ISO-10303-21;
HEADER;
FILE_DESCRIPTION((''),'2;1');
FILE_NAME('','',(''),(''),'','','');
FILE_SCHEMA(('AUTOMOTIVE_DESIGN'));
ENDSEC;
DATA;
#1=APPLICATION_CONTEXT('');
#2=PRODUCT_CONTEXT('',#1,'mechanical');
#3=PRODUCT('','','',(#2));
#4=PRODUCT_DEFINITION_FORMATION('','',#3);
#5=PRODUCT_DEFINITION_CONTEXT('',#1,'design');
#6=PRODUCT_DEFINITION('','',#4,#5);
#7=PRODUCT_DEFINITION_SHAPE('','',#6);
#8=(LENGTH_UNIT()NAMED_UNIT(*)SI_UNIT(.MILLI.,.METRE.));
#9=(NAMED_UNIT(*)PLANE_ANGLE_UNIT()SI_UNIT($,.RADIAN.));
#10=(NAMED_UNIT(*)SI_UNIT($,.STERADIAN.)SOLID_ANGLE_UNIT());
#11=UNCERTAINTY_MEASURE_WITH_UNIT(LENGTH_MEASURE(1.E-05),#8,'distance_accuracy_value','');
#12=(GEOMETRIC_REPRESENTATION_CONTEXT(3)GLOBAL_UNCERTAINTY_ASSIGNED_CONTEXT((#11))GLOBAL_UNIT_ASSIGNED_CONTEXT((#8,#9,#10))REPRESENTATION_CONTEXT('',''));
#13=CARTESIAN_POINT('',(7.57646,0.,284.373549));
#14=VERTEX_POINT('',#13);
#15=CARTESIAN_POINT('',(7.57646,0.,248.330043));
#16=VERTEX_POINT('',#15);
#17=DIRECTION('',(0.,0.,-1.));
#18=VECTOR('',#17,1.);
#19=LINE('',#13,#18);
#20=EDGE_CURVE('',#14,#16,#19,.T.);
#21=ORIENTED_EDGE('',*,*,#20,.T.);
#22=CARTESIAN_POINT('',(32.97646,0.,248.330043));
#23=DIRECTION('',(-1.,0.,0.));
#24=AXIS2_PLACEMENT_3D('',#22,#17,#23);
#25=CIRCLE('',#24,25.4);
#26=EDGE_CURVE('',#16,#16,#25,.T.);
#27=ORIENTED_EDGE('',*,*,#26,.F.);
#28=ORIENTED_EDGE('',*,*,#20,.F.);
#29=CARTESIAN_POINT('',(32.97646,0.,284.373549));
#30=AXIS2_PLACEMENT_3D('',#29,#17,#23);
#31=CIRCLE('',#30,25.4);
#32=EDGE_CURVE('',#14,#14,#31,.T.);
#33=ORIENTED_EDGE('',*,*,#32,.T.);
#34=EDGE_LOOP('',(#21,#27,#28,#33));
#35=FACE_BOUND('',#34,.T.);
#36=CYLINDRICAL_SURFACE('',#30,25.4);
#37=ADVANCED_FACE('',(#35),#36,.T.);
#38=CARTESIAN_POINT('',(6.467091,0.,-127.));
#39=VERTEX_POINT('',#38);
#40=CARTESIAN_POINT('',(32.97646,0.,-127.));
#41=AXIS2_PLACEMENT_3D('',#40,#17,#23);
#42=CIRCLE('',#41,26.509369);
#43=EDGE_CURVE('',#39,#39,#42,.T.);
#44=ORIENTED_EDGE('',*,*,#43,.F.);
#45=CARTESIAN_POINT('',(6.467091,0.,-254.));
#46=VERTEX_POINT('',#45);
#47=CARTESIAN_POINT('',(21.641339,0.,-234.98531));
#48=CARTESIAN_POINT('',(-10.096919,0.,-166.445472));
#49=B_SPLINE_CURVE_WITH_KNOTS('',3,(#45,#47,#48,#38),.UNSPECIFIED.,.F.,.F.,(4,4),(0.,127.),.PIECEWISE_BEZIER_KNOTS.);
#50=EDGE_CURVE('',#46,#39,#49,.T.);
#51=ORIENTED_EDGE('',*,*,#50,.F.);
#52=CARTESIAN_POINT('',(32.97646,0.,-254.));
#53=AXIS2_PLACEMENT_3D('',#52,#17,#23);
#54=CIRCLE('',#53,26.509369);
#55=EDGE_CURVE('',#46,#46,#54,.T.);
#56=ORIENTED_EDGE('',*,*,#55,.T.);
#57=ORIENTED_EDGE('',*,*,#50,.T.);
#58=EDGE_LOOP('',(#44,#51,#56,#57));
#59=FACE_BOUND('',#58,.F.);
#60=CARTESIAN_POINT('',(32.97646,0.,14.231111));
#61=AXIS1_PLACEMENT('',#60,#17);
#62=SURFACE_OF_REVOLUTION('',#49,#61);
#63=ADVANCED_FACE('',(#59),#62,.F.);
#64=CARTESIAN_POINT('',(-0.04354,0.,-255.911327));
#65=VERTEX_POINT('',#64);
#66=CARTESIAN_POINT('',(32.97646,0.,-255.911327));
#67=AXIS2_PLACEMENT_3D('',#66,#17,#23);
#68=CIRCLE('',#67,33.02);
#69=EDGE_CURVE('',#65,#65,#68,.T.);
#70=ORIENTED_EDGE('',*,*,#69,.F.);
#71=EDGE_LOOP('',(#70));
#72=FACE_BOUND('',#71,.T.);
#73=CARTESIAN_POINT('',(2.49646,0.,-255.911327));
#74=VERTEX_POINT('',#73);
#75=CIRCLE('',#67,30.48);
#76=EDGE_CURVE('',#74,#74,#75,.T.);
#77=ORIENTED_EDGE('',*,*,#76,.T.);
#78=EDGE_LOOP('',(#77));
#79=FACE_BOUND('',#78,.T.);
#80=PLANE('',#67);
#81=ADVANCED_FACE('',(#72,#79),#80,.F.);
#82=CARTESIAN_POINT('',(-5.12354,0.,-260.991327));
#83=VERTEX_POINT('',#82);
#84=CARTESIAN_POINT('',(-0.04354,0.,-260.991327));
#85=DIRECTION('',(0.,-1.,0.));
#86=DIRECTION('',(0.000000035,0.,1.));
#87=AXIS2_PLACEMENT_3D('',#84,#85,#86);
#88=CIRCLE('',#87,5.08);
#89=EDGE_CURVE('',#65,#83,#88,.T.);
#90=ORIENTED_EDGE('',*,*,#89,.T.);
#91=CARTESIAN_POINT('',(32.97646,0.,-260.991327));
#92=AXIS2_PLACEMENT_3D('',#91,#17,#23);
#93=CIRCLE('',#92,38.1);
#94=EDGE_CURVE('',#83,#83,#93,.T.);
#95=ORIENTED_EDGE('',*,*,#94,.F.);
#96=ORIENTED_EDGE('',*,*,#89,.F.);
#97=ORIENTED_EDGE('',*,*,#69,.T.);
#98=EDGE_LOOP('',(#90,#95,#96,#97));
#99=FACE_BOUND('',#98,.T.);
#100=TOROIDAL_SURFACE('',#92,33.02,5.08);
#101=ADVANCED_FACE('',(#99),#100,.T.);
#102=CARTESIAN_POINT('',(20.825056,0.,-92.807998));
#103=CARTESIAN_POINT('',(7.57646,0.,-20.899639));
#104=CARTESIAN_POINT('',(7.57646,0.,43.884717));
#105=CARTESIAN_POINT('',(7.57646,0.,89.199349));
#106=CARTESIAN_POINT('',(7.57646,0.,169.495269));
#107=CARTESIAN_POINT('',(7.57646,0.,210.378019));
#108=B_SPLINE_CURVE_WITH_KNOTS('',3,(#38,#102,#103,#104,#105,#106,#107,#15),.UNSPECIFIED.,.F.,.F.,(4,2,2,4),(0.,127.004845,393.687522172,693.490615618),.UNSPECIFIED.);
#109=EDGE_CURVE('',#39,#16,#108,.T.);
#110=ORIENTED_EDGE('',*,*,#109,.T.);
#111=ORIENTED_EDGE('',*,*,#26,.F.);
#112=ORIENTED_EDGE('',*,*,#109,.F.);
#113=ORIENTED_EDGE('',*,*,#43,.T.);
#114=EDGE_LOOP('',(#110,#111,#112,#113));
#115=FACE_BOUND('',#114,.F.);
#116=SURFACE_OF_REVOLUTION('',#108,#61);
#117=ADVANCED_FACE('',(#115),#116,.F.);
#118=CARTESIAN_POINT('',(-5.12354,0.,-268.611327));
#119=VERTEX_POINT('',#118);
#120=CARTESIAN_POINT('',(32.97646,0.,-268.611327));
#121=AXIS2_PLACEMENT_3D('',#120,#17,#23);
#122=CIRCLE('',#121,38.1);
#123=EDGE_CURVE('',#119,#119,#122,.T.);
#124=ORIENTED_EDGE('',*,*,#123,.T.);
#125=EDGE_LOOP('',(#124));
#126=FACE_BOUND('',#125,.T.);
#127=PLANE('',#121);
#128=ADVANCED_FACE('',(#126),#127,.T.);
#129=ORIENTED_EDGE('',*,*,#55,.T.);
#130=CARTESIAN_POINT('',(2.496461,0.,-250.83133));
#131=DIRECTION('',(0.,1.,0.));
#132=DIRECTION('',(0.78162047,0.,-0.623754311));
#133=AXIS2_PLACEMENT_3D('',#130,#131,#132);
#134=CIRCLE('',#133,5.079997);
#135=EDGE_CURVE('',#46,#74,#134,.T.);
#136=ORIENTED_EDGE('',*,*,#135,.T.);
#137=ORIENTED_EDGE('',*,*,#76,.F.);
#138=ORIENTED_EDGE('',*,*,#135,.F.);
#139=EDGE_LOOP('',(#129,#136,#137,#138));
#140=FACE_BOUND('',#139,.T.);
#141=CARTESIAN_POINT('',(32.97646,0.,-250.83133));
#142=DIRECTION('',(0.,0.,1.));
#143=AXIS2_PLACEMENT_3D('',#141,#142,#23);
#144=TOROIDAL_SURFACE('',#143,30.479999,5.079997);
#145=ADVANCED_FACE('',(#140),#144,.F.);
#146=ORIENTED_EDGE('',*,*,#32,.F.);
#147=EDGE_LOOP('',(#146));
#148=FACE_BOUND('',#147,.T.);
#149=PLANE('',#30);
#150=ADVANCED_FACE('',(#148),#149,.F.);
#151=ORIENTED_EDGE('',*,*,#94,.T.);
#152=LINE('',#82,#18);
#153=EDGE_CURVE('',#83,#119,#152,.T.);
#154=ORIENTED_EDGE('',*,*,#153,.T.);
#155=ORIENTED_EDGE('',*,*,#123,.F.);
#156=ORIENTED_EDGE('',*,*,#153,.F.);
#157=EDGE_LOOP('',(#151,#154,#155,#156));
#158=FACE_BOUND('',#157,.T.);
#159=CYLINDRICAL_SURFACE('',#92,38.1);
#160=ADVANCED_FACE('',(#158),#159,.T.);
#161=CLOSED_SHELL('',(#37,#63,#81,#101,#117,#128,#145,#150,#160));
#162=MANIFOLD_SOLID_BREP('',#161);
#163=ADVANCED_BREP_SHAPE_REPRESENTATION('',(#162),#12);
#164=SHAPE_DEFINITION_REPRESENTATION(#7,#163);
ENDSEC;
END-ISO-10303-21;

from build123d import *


with BuildPart() as f1:
    # F0 (on Front) → F1 (revolve)
    with BuildSketch(Plane.XZ):
        with BuildLine():
            Line((32.97646, -255.911327), (32.97646, 284.373549))
            Line((32.97646, 284.373549), (7.57646, 284.373549))
            Line((7.57646, 284.373549), (7.57646, 248.330043))
            add(Edge.make_bspline(
                [(7.57646, 127), (7.57646, 169.495269), (7.57646, 210.378019), (7.57646, 248.330043)],
                knots=[0, 0, 0, 0, 121.330043, 121.330043, 121.330043, 121.330043], degree=3))
            add(Edge.make_bspline(
                [(7.57646, 0), (7.57646, 43.884717), (7.57646, 89.199349), (7.57646, 127)],
                knots=[0, 0, 0, 0, 127, 127, 127, 127], degree=3))
            add(Edge.make_bspline(
                [(6.467091, -127), (20.825056, -92.807998), (7.57646, -20.899639), (7.57646, 0)],
                knots=[0, 0, 0, 0, 127.004845, 127.004845, 127.004845, 127.004845], degree=3))
            add(Edge.make_bspline(
                [(6.467091, -254), (21.641339, -234.98531), (-10.096919, -166.445472), (6.467091, -127)],
                knots=[0, 0, 0, 0, 127, 127, 127, 127], degree=3))
            ThreePointArc((6.467091, -254), (4.699815, -255.408622), (2.49646, -255.911327))
            Line((2.49646, -255.911327), (-0.04354, -255.911327))
            ThreePointArc((-0.04354, -255.911327), (-3.635642, -257.399224), (-5.12354, -260.991327))
            Line((-5.12354, -260.991327), (-5.12354, -268.611327))
            Line((-5.12354, -268.611327), (32.97646, -268.611327))
            Line((32.97646, -268.611327), (32.97646, -255.911327))
        make_face()
    revolve(axis=Axis((32.97646, 0, 14.231111), (0, 0, -1)))


solid = f1.part
